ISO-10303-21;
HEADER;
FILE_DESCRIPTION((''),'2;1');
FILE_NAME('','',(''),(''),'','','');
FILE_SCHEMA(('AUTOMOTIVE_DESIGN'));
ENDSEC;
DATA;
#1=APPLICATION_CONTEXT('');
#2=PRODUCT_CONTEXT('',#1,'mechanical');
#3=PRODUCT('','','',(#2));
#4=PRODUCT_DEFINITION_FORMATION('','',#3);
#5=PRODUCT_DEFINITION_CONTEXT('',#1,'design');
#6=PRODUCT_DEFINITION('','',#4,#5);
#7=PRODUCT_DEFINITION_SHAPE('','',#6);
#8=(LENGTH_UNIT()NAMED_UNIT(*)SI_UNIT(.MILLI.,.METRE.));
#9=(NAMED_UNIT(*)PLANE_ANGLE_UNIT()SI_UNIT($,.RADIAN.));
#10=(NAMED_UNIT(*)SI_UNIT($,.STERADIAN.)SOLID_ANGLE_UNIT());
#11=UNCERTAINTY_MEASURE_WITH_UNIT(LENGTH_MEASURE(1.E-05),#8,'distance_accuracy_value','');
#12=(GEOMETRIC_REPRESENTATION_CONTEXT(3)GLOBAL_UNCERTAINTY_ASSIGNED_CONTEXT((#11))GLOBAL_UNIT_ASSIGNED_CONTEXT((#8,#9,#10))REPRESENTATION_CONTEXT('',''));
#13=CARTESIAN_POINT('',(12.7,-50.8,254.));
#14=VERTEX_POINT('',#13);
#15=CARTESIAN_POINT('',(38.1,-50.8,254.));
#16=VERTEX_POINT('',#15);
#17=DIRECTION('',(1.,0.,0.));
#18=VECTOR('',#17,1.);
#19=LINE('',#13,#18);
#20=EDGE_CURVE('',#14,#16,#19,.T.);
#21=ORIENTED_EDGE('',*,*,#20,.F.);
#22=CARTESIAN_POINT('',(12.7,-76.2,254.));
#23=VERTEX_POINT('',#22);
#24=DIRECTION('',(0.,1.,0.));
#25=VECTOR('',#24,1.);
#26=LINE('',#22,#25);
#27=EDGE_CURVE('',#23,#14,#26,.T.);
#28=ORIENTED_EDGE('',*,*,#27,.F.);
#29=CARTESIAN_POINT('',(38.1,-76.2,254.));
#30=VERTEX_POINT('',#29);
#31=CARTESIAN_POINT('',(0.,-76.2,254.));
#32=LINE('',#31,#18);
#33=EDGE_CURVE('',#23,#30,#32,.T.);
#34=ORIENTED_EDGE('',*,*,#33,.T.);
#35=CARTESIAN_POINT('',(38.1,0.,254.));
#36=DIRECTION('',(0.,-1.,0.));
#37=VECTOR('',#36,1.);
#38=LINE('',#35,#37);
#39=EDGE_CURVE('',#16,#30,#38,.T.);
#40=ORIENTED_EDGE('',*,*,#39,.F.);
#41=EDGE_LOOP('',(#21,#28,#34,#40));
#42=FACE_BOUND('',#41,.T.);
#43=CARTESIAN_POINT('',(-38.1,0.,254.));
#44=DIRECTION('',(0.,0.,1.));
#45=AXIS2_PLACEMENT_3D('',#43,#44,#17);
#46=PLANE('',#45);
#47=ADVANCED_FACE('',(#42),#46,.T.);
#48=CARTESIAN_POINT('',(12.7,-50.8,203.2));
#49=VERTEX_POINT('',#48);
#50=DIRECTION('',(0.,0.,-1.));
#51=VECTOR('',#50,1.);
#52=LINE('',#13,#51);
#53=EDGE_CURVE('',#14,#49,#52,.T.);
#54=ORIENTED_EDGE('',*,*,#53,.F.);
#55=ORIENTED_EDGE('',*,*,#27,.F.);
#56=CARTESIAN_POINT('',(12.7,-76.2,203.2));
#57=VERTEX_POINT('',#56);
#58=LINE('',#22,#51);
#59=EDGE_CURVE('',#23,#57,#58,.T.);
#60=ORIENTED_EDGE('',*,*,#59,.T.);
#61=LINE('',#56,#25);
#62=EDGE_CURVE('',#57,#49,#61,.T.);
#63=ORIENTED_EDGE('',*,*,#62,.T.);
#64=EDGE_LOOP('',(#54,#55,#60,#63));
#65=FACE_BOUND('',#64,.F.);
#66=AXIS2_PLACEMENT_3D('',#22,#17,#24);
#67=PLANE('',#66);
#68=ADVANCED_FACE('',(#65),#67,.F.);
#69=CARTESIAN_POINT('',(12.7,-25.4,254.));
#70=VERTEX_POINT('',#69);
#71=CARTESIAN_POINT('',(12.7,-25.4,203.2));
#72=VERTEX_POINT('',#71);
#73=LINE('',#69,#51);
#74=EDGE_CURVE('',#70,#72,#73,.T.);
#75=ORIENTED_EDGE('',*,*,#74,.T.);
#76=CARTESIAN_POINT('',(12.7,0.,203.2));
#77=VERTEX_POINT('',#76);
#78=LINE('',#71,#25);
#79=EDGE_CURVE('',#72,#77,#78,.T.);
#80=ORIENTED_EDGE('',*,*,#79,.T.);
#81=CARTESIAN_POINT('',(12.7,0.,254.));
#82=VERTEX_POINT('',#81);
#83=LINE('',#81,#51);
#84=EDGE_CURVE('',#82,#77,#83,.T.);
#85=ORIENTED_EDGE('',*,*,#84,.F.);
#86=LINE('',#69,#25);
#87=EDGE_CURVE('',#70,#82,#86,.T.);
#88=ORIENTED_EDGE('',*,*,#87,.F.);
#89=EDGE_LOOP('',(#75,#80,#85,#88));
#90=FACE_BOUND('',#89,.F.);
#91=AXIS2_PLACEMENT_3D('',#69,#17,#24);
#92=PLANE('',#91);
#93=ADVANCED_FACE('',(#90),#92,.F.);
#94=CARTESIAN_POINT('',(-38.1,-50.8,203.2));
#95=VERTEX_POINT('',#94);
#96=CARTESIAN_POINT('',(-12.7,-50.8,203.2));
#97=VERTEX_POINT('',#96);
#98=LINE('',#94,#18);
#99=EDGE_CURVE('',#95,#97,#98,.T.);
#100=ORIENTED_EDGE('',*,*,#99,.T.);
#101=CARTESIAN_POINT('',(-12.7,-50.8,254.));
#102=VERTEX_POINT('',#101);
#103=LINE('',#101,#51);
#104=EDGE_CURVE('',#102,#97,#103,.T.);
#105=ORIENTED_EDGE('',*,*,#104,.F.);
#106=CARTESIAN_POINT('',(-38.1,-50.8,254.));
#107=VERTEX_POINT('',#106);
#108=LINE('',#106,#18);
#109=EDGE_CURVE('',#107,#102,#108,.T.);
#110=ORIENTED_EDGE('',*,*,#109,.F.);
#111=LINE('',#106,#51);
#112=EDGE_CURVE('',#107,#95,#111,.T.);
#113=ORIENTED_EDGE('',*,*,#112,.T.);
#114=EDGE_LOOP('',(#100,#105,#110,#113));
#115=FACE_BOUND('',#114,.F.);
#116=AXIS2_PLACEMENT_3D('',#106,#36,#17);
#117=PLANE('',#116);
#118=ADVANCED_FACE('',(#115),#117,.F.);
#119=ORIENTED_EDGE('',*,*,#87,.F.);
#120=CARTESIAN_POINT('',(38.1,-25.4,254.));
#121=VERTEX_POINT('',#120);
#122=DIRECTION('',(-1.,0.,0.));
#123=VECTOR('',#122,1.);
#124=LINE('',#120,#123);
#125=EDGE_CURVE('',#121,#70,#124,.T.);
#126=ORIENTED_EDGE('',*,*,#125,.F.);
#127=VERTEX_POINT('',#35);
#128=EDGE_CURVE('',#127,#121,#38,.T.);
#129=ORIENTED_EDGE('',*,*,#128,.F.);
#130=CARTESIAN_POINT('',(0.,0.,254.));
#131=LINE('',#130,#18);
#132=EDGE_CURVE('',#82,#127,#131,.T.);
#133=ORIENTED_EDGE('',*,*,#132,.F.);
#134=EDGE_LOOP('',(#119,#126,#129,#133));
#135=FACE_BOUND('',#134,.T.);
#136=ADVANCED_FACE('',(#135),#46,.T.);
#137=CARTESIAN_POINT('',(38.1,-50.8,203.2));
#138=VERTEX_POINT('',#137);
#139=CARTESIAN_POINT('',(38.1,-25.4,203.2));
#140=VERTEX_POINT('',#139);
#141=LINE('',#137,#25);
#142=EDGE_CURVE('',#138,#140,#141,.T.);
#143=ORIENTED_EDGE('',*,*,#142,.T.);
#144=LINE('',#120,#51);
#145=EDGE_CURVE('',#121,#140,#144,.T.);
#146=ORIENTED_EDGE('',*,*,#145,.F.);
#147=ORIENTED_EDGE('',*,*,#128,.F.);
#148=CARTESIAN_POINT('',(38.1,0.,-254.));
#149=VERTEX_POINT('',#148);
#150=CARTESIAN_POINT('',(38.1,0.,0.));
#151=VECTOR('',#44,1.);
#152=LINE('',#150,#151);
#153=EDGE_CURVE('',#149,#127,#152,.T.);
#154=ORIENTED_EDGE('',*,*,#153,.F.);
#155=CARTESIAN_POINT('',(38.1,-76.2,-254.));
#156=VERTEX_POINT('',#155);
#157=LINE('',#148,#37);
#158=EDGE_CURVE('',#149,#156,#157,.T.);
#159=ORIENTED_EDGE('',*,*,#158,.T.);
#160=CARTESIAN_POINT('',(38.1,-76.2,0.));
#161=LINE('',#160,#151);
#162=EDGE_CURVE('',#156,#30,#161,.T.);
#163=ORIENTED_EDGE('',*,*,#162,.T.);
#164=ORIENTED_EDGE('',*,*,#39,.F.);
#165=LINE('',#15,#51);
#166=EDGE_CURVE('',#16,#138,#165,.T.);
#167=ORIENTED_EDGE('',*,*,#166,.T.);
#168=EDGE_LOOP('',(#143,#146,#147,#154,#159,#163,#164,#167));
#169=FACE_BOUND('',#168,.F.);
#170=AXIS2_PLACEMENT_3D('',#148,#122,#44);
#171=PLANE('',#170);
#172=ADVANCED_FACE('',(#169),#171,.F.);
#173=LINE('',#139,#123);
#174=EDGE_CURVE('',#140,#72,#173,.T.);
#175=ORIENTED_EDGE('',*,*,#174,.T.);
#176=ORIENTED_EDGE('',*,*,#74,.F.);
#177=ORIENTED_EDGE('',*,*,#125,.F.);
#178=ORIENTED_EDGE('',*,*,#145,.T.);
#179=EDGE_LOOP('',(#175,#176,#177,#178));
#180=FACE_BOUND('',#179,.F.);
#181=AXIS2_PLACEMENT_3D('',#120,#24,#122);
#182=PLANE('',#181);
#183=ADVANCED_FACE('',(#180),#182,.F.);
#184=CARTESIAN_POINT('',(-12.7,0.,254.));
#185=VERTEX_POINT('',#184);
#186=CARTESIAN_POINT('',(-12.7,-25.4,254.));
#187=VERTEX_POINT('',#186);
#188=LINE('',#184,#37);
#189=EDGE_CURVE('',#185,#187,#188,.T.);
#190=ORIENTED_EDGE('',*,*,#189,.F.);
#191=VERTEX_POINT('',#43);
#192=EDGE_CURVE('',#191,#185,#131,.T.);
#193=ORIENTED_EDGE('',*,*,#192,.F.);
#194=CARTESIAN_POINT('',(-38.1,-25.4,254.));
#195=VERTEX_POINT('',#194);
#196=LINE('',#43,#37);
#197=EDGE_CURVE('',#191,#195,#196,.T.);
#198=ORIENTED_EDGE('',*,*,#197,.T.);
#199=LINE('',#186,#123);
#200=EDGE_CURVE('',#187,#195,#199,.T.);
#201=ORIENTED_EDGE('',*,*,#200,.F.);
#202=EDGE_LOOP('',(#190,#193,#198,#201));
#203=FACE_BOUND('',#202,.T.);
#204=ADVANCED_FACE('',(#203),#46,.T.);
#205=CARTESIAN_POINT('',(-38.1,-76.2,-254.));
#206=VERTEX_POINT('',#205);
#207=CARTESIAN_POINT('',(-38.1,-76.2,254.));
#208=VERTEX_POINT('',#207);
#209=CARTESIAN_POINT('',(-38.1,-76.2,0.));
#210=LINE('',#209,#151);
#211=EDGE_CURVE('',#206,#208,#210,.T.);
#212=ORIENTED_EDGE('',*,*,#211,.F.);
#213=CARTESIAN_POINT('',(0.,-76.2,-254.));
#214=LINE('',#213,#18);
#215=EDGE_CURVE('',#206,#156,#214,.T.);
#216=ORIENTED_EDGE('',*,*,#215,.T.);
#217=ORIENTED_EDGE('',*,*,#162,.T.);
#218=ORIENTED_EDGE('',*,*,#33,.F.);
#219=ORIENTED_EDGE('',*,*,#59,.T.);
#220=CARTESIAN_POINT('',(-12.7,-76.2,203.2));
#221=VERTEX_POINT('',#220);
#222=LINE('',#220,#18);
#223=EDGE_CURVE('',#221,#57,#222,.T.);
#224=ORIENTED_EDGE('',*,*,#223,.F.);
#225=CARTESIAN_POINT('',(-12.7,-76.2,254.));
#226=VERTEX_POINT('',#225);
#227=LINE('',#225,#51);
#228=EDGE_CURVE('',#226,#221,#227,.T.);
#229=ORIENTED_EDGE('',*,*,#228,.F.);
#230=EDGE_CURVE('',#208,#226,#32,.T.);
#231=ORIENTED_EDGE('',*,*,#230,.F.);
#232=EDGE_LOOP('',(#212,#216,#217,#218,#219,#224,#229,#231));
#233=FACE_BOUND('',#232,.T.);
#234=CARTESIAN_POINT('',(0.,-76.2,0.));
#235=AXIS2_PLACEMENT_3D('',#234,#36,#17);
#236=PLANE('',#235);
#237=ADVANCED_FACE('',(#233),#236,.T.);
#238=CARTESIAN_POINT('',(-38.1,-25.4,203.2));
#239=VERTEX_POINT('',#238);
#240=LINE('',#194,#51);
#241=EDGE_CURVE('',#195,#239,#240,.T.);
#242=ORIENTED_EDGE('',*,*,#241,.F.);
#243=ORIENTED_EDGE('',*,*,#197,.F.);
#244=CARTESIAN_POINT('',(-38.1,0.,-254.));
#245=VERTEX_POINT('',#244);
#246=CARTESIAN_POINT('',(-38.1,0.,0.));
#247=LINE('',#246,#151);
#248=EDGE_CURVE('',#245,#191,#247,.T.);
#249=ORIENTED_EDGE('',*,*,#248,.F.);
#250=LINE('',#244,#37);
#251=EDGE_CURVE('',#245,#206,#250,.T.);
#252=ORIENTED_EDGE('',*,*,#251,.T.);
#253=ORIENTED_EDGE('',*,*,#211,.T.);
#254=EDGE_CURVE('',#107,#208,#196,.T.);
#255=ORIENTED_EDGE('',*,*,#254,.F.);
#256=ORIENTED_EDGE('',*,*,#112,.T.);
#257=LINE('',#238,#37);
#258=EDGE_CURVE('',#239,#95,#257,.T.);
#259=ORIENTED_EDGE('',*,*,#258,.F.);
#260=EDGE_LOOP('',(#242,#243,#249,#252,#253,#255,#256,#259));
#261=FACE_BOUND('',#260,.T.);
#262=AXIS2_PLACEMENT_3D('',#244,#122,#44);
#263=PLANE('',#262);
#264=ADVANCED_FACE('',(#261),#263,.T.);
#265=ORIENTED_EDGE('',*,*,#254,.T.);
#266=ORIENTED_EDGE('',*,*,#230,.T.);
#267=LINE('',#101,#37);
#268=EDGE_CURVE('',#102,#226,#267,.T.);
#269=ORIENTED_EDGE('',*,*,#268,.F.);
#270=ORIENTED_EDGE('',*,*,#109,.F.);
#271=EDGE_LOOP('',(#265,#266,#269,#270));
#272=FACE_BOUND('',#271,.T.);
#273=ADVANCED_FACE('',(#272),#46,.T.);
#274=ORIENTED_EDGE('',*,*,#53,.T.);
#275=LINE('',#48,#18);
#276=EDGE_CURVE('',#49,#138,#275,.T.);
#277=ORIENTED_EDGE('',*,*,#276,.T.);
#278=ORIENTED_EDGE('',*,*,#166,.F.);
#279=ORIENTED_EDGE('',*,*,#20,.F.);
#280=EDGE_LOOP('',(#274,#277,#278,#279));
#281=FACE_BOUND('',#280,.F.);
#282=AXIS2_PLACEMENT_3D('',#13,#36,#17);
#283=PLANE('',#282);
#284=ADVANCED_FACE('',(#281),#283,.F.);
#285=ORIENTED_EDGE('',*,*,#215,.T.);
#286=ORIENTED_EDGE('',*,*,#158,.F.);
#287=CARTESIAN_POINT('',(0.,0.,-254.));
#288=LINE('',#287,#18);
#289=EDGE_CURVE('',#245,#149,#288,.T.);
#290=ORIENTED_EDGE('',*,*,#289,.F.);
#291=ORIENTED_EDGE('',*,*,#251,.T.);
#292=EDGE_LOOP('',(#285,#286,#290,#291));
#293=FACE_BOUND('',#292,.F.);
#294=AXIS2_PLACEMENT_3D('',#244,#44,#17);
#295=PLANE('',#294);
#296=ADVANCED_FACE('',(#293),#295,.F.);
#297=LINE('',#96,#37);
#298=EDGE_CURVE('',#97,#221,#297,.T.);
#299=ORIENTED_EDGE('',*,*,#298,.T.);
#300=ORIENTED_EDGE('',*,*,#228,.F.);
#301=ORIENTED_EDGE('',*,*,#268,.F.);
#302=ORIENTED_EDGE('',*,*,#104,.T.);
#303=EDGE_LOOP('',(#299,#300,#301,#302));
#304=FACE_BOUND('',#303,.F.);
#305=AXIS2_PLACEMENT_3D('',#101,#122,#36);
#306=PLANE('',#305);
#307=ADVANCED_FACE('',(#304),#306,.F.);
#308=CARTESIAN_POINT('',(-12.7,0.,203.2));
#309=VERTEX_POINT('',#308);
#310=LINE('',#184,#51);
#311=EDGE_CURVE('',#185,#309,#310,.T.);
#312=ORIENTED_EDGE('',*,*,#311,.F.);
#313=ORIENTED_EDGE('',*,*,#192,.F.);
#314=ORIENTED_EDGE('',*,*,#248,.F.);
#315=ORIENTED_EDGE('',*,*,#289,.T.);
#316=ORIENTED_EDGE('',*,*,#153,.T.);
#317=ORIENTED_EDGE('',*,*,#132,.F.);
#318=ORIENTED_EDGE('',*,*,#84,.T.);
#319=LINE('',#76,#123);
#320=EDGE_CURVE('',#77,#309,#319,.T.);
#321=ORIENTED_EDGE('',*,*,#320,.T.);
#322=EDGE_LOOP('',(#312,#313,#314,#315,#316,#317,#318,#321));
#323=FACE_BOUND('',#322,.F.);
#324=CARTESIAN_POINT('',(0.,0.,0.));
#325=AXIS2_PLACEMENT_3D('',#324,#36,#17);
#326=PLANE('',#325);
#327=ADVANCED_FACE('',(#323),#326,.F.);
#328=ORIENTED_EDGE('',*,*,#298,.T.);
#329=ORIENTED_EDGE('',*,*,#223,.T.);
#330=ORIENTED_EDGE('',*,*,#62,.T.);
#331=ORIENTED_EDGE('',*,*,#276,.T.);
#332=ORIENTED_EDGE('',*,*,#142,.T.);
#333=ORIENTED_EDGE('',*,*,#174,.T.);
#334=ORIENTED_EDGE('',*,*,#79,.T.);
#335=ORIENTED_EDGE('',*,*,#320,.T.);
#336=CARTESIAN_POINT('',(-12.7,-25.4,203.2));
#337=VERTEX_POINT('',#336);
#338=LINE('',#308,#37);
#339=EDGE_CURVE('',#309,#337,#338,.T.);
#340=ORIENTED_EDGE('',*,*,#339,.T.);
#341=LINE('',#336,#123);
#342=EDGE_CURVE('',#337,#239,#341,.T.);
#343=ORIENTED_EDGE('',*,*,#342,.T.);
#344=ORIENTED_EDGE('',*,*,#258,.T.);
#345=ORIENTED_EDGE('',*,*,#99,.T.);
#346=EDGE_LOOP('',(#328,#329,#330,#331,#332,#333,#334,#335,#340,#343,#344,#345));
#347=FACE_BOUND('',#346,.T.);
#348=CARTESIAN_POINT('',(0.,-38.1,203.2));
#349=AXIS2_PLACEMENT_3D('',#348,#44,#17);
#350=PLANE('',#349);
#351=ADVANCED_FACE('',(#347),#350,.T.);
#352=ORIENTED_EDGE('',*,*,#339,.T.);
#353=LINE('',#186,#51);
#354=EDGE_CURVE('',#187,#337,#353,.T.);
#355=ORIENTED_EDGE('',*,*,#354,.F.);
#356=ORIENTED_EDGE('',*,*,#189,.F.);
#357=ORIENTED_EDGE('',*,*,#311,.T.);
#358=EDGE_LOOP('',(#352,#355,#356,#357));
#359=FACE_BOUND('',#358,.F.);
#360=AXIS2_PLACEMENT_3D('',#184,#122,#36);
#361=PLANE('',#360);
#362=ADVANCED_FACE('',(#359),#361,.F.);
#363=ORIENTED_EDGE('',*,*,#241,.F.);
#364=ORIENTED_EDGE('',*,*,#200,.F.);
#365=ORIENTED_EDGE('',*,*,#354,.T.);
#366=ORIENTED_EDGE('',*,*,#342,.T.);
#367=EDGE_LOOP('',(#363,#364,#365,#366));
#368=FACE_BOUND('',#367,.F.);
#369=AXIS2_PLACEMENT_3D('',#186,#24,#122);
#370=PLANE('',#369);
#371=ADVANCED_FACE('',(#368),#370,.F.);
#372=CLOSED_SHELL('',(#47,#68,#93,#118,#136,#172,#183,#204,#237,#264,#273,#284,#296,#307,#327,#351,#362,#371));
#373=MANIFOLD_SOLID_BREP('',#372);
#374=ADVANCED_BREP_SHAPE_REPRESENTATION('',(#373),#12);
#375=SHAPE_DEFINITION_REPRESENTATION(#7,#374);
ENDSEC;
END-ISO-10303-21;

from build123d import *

# Parameters (mm, degrees)
F0_W     = 76.2
F0_H     = 508
F1_DEPTH = 76.2
F3_DEPTH = 50.8


with BuildPart() as f1:
    # F0 (on Front) → F1 (new body)
    with BuildSketch(Plane.XZ):
        Rectangle(F0_W, F0_H)
    extrude(amount=F1_DEPTH)

    # F2 (on face) → F3 (cut)
    with BuildSketch(Plane.XY.offset(254)):
        Polygon((12.7, 0), (-12.7, 0), (-12.7, -25.4), (-38.1, -25.4), (-38.1, -50.8), (-12.7, -50.8), (-12.7, -76.2), (12.7, -76.2), (12.7, -50.8), (38.1, -50.8), (38.1, -25.4), (12.7, -25.4), align=None)
    extrude(amount=-F3_DEPTH, mode=Mode.SUBTRACT)


solid = f1.part
